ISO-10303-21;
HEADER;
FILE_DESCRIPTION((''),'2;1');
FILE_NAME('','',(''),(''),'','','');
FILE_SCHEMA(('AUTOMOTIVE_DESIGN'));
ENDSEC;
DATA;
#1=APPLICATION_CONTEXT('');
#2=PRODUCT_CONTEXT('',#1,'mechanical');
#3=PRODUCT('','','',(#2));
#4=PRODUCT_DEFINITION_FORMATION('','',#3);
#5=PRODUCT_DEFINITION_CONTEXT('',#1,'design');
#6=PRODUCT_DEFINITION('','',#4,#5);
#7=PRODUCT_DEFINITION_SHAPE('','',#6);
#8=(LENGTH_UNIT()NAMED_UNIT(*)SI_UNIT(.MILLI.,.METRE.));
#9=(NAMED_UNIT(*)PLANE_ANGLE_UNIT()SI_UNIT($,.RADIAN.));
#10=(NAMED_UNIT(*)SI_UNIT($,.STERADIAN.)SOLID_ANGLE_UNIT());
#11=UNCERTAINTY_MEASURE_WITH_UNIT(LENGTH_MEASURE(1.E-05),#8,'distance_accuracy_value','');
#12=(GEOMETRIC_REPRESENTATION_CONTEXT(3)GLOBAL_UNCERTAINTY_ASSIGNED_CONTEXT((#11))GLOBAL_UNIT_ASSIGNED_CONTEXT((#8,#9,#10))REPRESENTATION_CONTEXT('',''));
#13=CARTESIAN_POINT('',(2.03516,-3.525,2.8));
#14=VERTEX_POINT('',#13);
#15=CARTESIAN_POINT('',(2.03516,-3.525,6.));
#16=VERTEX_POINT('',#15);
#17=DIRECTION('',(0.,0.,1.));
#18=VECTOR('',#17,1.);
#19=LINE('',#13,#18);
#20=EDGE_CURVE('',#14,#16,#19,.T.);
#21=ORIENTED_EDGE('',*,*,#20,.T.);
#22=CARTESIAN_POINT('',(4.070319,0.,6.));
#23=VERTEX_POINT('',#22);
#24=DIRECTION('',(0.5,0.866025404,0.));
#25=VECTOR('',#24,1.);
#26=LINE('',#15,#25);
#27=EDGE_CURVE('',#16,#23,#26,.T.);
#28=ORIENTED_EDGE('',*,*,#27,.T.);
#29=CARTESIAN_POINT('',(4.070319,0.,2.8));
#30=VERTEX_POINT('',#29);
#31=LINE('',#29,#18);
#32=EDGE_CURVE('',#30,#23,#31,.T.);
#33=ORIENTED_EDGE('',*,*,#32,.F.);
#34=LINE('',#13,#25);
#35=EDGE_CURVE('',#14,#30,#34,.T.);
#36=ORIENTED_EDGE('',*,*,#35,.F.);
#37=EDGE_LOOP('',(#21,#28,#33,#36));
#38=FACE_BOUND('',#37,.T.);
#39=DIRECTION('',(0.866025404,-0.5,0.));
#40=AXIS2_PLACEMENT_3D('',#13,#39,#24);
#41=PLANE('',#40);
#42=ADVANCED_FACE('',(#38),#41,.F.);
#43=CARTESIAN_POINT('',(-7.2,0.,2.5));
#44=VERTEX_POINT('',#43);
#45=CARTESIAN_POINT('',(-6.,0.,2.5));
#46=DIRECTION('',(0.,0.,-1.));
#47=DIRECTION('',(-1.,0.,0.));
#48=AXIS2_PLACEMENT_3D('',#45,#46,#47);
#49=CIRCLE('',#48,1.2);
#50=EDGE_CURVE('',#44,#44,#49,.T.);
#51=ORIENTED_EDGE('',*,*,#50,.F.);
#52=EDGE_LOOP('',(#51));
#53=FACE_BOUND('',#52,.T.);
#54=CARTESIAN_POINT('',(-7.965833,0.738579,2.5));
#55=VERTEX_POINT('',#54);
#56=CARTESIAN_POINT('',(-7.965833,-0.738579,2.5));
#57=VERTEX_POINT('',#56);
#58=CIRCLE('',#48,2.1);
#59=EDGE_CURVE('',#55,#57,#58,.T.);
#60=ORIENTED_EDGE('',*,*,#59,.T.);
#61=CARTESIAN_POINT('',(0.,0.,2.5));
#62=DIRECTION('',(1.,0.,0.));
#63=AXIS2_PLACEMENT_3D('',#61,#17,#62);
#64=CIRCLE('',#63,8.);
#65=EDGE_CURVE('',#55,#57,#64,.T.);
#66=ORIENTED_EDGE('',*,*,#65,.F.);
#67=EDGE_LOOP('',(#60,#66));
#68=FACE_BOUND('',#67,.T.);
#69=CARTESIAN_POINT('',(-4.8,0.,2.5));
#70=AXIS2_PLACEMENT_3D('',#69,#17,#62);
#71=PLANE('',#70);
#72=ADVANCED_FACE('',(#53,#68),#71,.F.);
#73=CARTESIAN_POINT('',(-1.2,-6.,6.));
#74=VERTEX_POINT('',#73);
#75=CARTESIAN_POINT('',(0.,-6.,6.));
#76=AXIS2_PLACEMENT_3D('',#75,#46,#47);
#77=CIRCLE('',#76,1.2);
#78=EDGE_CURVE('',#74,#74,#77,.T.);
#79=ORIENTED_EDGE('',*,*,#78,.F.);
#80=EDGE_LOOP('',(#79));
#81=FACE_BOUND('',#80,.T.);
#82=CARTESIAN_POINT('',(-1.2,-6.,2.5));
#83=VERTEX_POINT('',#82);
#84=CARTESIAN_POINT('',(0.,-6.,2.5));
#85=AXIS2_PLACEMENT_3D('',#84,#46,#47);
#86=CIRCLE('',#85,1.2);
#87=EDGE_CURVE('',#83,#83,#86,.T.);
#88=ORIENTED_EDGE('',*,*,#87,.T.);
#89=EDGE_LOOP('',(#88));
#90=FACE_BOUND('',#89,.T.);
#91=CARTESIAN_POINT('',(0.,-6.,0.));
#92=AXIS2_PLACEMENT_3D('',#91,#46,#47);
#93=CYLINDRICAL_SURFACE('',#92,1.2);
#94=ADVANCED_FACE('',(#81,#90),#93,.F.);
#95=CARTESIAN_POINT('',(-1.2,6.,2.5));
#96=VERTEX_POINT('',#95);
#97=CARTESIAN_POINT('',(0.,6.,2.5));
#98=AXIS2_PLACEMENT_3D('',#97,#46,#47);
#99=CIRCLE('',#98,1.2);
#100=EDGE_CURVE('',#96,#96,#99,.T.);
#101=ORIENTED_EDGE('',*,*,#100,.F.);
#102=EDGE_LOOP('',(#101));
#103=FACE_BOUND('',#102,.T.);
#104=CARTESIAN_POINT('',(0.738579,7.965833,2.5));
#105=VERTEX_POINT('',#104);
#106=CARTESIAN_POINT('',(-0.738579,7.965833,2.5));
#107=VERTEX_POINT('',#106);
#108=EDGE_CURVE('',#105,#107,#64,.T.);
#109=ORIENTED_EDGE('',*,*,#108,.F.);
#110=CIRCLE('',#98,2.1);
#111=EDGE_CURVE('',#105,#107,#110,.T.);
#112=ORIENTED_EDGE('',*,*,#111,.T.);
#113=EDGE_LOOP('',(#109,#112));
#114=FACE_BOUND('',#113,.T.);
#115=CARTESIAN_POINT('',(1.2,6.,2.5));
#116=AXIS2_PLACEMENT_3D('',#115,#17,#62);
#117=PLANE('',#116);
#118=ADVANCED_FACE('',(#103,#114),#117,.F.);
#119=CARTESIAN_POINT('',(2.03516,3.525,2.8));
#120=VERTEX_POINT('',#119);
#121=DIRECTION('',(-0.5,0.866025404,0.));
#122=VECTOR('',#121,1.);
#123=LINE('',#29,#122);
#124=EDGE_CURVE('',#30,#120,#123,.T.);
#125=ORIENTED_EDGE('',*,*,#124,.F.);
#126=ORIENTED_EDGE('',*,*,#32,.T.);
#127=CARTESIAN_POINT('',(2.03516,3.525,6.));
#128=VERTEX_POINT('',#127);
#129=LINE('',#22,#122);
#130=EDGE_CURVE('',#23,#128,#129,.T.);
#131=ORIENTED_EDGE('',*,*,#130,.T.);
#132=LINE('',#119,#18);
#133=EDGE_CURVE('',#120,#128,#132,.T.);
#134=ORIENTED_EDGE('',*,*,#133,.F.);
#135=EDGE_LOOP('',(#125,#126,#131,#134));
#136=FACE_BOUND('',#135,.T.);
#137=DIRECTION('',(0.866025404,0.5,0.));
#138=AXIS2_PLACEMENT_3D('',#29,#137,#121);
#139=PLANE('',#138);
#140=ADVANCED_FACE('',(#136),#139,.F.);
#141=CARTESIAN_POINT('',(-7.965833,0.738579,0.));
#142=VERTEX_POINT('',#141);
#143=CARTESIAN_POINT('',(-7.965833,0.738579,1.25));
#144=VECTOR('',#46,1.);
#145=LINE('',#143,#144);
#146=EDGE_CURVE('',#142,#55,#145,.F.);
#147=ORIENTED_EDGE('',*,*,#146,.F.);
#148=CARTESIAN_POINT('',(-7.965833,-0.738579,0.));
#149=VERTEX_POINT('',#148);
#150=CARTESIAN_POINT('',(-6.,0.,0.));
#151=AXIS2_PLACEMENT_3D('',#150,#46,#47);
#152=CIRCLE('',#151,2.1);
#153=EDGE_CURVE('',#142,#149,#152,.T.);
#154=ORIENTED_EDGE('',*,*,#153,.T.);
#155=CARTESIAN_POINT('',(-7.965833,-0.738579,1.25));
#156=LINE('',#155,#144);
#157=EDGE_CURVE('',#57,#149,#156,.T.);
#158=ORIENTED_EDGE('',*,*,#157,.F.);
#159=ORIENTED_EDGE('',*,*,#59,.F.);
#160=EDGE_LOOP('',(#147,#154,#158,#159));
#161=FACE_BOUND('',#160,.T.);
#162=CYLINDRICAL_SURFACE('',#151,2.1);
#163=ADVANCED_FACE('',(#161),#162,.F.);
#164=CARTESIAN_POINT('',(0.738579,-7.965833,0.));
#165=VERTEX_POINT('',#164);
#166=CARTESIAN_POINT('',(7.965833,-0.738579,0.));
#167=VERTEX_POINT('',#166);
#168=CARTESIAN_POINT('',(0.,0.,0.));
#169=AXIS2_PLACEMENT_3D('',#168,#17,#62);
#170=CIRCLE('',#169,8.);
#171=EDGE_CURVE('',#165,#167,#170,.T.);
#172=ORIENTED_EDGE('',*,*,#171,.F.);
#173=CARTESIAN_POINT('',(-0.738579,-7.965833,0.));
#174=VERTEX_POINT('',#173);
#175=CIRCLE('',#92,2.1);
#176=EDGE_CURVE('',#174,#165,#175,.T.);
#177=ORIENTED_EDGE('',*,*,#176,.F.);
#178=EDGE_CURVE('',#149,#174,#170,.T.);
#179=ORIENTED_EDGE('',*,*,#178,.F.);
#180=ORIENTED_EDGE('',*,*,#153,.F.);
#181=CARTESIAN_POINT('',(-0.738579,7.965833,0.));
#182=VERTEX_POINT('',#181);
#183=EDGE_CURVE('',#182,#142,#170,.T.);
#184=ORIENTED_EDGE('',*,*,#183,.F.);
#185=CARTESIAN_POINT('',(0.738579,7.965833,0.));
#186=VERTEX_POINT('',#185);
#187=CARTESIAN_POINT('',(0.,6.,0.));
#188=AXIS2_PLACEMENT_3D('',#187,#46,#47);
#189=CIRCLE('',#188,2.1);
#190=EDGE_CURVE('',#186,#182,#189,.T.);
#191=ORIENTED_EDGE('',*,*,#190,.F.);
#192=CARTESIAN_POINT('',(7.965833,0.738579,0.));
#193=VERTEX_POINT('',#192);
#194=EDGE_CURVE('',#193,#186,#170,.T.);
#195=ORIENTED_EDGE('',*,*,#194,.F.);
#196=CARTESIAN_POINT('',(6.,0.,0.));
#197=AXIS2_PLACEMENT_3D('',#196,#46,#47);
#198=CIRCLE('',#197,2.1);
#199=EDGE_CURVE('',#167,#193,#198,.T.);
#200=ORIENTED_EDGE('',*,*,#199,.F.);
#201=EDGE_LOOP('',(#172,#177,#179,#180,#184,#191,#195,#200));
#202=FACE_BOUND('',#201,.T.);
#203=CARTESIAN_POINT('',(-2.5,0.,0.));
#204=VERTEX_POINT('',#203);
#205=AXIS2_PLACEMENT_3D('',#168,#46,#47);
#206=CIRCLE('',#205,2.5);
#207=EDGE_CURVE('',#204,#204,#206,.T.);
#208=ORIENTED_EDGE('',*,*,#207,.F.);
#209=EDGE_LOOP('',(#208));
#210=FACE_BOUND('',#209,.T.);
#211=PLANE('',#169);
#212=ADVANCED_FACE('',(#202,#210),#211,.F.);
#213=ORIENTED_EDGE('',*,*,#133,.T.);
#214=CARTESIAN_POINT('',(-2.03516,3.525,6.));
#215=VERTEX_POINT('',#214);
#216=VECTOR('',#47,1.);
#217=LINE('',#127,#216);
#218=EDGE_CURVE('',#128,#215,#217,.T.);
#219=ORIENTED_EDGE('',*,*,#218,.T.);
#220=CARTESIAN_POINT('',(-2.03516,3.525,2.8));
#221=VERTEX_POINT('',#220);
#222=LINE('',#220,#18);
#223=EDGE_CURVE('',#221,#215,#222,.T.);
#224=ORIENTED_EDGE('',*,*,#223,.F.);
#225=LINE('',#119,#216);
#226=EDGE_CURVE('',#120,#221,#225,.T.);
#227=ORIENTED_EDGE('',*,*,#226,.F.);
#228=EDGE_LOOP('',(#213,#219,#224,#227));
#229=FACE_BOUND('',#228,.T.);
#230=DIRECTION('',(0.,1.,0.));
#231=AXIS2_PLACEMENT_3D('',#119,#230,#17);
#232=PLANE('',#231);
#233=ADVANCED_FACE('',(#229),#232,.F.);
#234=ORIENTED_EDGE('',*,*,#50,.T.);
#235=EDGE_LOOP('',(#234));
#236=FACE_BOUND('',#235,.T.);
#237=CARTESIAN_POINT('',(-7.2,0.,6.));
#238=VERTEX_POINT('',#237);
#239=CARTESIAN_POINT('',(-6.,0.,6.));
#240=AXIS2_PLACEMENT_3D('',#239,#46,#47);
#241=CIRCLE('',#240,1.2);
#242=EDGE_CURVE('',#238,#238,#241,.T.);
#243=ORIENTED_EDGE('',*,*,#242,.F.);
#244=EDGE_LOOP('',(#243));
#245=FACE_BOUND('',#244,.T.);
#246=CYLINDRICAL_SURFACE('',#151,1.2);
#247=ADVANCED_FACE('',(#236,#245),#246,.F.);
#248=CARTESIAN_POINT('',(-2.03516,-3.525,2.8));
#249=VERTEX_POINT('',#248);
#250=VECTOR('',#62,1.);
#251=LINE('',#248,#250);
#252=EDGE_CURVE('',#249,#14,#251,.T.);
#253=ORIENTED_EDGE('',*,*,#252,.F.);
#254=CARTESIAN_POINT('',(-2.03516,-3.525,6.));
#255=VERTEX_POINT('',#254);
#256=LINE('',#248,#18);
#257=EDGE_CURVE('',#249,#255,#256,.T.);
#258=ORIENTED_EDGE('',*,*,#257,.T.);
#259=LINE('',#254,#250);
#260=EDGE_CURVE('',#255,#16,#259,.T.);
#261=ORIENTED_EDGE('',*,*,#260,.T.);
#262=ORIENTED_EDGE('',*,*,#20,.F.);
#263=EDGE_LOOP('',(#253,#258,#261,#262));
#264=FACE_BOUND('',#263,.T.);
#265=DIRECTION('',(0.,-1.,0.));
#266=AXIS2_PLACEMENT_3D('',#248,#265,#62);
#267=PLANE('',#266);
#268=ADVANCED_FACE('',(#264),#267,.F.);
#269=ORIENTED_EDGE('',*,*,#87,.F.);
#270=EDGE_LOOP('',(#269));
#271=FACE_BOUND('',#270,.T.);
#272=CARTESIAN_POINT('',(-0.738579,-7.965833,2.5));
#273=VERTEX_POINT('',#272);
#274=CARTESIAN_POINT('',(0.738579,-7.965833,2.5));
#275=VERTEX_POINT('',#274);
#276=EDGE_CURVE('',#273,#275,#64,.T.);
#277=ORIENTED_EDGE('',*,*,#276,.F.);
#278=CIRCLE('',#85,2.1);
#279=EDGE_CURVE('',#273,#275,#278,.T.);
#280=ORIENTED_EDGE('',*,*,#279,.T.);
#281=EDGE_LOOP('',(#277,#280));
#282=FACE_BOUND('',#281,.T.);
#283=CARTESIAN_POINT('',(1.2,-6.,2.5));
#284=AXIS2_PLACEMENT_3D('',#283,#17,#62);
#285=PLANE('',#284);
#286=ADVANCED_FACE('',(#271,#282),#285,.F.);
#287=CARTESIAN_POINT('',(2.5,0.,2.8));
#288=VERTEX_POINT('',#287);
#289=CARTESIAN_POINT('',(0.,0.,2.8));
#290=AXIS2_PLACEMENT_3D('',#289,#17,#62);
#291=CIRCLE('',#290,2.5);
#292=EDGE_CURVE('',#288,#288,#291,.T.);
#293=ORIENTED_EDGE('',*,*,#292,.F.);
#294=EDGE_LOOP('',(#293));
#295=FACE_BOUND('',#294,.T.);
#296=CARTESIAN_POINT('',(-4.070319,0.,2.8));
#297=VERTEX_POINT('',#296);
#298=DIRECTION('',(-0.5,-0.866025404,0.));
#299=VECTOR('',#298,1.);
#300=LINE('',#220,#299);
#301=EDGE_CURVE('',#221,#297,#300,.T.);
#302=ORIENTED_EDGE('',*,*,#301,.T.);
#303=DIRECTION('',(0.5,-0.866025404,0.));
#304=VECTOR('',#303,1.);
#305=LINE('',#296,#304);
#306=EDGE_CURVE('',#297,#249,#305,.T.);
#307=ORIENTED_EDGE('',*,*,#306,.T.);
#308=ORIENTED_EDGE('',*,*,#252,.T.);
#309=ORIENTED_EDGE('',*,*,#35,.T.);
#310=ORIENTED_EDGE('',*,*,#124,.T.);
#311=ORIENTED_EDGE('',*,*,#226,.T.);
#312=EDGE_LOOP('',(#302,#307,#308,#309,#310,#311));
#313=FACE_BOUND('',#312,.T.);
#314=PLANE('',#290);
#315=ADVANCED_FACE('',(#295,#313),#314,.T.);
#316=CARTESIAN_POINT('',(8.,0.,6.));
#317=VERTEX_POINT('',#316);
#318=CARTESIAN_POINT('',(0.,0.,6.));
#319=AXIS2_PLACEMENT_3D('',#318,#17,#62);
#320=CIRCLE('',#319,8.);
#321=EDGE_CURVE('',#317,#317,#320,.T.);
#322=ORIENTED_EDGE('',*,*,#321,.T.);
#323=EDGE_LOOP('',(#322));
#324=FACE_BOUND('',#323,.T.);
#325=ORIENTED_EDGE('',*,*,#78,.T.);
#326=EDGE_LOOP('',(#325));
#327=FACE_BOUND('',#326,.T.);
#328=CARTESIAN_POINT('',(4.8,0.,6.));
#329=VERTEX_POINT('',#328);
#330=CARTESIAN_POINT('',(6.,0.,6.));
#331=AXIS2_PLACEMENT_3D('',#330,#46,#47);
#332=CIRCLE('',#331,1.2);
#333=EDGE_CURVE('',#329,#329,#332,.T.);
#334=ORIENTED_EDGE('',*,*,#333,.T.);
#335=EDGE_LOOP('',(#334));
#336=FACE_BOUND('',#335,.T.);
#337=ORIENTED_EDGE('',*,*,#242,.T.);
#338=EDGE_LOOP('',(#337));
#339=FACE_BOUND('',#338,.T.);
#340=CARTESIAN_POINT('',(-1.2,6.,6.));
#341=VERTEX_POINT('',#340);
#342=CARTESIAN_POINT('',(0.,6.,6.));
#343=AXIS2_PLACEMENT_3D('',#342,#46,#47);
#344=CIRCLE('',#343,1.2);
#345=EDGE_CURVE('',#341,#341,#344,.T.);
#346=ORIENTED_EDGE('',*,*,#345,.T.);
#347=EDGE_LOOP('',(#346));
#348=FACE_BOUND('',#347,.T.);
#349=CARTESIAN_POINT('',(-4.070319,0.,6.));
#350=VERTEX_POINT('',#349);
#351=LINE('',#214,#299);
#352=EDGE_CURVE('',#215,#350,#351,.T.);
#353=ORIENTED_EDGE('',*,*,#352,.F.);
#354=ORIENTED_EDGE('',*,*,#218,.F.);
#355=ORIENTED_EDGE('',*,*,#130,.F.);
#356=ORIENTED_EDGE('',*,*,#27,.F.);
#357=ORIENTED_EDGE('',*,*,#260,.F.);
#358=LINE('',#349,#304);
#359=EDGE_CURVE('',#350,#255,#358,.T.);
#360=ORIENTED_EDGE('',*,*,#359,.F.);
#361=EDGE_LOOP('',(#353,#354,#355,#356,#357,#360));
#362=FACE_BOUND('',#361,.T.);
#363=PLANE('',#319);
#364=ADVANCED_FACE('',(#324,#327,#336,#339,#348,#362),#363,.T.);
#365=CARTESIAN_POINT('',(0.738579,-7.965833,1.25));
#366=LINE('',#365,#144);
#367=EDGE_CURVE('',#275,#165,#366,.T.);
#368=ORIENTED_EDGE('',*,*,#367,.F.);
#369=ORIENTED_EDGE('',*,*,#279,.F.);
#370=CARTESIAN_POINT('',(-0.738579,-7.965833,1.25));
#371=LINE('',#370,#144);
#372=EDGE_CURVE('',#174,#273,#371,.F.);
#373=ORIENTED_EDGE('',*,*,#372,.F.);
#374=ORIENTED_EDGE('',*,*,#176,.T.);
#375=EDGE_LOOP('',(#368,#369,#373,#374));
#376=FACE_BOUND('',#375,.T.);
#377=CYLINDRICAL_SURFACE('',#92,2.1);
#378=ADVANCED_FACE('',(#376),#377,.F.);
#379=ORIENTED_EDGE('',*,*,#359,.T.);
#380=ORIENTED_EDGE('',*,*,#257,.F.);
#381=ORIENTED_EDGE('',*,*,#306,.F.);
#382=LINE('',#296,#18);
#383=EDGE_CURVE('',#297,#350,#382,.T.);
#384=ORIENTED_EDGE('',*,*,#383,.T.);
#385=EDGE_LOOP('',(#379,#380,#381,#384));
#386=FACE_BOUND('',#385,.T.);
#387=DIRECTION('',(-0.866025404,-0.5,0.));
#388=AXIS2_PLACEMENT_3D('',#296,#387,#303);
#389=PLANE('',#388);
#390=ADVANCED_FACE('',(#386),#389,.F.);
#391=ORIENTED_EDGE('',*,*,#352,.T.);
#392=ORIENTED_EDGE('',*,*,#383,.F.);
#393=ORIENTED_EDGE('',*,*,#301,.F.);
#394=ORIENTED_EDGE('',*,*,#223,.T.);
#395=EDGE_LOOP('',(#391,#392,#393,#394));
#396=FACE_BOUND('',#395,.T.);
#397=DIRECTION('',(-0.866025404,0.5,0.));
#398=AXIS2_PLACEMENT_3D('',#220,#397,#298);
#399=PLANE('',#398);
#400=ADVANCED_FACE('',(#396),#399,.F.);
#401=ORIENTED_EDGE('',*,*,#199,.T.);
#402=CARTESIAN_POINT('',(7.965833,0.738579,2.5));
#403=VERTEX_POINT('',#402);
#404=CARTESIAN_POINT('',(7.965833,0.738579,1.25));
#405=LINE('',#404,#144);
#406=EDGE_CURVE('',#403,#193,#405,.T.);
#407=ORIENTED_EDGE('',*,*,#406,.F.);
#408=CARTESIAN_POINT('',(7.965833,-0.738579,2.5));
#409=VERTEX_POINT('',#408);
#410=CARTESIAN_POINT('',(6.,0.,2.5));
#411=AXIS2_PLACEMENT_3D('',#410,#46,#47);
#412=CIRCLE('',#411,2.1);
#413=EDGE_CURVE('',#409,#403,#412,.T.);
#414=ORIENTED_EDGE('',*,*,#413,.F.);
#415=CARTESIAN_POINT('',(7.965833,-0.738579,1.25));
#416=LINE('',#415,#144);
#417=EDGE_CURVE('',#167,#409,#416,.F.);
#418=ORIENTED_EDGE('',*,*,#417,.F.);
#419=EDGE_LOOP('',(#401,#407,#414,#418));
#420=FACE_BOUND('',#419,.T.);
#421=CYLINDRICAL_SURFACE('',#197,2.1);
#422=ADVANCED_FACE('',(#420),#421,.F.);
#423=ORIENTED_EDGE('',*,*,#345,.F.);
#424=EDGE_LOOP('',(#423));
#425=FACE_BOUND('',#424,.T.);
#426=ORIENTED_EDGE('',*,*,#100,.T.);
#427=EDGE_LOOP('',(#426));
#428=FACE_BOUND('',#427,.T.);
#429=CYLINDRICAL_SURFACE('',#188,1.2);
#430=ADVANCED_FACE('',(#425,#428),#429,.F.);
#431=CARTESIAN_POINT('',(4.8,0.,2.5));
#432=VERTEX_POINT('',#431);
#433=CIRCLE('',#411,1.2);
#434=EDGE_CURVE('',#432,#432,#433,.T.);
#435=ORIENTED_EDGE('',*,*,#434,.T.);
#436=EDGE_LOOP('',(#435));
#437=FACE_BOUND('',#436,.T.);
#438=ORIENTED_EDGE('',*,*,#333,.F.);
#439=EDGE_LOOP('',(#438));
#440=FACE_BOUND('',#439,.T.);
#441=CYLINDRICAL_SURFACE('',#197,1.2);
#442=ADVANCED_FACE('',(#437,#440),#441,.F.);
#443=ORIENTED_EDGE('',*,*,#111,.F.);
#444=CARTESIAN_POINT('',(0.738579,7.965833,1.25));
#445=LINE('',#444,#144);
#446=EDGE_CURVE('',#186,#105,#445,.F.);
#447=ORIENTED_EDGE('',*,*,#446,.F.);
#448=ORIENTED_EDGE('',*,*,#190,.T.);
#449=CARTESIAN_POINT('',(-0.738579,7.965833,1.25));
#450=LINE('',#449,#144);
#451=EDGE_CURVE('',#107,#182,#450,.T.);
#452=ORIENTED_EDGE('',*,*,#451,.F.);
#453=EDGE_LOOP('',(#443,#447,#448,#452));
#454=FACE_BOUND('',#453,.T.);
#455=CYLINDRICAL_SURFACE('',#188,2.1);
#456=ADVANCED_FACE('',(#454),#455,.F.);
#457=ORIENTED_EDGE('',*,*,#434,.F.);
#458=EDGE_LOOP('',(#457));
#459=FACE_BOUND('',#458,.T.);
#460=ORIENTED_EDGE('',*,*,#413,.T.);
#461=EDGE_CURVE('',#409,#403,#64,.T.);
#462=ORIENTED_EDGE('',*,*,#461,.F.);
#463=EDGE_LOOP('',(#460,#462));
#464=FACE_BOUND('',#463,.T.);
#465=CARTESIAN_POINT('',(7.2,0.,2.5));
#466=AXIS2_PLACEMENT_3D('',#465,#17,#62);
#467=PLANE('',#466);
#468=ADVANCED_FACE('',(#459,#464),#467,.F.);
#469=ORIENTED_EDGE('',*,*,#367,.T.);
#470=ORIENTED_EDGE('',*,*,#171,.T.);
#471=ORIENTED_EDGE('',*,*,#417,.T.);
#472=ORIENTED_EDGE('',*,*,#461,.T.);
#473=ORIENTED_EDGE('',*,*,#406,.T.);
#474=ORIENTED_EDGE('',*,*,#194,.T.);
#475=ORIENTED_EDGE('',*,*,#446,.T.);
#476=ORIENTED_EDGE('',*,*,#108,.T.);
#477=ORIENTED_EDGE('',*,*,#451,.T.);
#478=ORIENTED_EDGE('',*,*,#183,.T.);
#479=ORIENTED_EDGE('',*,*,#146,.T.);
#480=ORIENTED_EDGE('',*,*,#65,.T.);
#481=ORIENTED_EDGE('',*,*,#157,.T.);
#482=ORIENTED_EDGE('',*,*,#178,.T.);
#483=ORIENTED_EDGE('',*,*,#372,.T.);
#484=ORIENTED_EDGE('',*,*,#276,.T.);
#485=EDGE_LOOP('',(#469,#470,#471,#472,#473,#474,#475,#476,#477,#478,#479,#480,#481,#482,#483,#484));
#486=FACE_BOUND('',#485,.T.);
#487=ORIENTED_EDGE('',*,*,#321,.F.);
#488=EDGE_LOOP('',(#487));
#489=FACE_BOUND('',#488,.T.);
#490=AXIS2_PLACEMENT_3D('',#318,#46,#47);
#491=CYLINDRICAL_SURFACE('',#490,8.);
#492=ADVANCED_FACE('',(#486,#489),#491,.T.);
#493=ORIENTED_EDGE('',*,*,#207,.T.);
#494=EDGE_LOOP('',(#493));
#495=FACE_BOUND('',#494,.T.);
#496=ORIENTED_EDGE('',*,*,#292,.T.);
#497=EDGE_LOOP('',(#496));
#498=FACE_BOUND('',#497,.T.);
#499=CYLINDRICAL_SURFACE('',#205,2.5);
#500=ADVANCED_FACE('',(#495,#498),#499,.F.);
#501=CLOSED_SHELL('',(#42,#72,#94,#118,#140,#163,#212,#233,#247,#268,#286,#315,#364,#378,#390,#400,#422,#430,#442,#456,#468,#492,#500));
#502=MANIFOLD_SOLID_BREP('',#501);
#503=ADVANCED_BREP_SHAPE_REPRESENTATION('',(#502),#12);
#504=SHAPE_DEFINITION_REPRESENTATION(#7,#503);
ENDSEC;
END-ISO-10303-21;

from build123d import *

# Parameters (mm, degrees)
SKETCH_1_R                   = 8
EXTRUDE_1_DEPTH              = 6
CUT_EXTRUDE_1_DEPTH          = 3.2
HOLE_WIZARD_M2_1_D           = 2.4
HOLE_WIZARD_M2_1_CBORE_D     = 4.2
HOLE_WIZARD_M2_1_CBORE_DEPTH = 2.5
PATTERN_CIRCULAR_1_COUNT     = 4
HOLE_WIZARD_M4_1_D           = 5


with BuildPart() as part:
    # ｽｹｯﾁ1 → ﾎﾞｽ - 押し出し1 (new body)
    with BuildSketch(Plane.XY):
        Circle(SKETCH_1_R)
    extrude(amount=EXTRUDE_1_DEPTH)

    # ｽｹｯﾁ2 → ｶｯﾄ - 押し出し1 (cut)
    with BuildSketch(Plane.XY.offset(6)):
        Polygon((4.070319398, 0), (2.035159699, 3.525), (-2.035159699, 3.525), (-4.070319398, 0), (-2.035159699, -3.525), (2.035159699, -3.525), align=None)
    extrude(amount=-CUT_EXTRUDE_1_DEPTH, mode=Mode.SUBTRACT)

    # M2 丸平ねじ用座ぐり穴1 (through all)
    with Locations(Plane(origin=(0, 0, 0), x_dir=(-1, 0, 0), z_dir=(0, 0, -1))):
        with Locations((6, 0)):
            hole_wizard_m2_1 = CounterBoreHole(HOLE_WIZARD_M2_1_D / 2, HOLE_WIZARD_M2_1_CBORE_D / 2, HOLE_WIZARD_M2_1_CBORE_DEPTH)

    # 円形ﾊﾟﾀｰﾝ1: M2 丸平ねじ用座ぐり穴1 ×4 about axis
    pattern_circular_1_axis = Axis((0, 0, 0), (0, 0, 1))
    for i in range(1, PATTERN_CIRCULAR_1_COUNT):
        add(hole_wizard_m2_1.rotate(pattern_circular_1_axis, i * 360 / PATTERN_CIRCULAR_1_COUNT), mode=Mode.SUBTRACT)

    # M4 すきま穴1 (through all)
    with Locations(Plane(origin=(0, 0, 0), x_dir=(-1, 0, 0), z_dir=(0, 0, -1))):
        with Locations((0, 0)):
            Hole(HOLE_WIZARD_M4_1_D / 2)


solid = part.part
